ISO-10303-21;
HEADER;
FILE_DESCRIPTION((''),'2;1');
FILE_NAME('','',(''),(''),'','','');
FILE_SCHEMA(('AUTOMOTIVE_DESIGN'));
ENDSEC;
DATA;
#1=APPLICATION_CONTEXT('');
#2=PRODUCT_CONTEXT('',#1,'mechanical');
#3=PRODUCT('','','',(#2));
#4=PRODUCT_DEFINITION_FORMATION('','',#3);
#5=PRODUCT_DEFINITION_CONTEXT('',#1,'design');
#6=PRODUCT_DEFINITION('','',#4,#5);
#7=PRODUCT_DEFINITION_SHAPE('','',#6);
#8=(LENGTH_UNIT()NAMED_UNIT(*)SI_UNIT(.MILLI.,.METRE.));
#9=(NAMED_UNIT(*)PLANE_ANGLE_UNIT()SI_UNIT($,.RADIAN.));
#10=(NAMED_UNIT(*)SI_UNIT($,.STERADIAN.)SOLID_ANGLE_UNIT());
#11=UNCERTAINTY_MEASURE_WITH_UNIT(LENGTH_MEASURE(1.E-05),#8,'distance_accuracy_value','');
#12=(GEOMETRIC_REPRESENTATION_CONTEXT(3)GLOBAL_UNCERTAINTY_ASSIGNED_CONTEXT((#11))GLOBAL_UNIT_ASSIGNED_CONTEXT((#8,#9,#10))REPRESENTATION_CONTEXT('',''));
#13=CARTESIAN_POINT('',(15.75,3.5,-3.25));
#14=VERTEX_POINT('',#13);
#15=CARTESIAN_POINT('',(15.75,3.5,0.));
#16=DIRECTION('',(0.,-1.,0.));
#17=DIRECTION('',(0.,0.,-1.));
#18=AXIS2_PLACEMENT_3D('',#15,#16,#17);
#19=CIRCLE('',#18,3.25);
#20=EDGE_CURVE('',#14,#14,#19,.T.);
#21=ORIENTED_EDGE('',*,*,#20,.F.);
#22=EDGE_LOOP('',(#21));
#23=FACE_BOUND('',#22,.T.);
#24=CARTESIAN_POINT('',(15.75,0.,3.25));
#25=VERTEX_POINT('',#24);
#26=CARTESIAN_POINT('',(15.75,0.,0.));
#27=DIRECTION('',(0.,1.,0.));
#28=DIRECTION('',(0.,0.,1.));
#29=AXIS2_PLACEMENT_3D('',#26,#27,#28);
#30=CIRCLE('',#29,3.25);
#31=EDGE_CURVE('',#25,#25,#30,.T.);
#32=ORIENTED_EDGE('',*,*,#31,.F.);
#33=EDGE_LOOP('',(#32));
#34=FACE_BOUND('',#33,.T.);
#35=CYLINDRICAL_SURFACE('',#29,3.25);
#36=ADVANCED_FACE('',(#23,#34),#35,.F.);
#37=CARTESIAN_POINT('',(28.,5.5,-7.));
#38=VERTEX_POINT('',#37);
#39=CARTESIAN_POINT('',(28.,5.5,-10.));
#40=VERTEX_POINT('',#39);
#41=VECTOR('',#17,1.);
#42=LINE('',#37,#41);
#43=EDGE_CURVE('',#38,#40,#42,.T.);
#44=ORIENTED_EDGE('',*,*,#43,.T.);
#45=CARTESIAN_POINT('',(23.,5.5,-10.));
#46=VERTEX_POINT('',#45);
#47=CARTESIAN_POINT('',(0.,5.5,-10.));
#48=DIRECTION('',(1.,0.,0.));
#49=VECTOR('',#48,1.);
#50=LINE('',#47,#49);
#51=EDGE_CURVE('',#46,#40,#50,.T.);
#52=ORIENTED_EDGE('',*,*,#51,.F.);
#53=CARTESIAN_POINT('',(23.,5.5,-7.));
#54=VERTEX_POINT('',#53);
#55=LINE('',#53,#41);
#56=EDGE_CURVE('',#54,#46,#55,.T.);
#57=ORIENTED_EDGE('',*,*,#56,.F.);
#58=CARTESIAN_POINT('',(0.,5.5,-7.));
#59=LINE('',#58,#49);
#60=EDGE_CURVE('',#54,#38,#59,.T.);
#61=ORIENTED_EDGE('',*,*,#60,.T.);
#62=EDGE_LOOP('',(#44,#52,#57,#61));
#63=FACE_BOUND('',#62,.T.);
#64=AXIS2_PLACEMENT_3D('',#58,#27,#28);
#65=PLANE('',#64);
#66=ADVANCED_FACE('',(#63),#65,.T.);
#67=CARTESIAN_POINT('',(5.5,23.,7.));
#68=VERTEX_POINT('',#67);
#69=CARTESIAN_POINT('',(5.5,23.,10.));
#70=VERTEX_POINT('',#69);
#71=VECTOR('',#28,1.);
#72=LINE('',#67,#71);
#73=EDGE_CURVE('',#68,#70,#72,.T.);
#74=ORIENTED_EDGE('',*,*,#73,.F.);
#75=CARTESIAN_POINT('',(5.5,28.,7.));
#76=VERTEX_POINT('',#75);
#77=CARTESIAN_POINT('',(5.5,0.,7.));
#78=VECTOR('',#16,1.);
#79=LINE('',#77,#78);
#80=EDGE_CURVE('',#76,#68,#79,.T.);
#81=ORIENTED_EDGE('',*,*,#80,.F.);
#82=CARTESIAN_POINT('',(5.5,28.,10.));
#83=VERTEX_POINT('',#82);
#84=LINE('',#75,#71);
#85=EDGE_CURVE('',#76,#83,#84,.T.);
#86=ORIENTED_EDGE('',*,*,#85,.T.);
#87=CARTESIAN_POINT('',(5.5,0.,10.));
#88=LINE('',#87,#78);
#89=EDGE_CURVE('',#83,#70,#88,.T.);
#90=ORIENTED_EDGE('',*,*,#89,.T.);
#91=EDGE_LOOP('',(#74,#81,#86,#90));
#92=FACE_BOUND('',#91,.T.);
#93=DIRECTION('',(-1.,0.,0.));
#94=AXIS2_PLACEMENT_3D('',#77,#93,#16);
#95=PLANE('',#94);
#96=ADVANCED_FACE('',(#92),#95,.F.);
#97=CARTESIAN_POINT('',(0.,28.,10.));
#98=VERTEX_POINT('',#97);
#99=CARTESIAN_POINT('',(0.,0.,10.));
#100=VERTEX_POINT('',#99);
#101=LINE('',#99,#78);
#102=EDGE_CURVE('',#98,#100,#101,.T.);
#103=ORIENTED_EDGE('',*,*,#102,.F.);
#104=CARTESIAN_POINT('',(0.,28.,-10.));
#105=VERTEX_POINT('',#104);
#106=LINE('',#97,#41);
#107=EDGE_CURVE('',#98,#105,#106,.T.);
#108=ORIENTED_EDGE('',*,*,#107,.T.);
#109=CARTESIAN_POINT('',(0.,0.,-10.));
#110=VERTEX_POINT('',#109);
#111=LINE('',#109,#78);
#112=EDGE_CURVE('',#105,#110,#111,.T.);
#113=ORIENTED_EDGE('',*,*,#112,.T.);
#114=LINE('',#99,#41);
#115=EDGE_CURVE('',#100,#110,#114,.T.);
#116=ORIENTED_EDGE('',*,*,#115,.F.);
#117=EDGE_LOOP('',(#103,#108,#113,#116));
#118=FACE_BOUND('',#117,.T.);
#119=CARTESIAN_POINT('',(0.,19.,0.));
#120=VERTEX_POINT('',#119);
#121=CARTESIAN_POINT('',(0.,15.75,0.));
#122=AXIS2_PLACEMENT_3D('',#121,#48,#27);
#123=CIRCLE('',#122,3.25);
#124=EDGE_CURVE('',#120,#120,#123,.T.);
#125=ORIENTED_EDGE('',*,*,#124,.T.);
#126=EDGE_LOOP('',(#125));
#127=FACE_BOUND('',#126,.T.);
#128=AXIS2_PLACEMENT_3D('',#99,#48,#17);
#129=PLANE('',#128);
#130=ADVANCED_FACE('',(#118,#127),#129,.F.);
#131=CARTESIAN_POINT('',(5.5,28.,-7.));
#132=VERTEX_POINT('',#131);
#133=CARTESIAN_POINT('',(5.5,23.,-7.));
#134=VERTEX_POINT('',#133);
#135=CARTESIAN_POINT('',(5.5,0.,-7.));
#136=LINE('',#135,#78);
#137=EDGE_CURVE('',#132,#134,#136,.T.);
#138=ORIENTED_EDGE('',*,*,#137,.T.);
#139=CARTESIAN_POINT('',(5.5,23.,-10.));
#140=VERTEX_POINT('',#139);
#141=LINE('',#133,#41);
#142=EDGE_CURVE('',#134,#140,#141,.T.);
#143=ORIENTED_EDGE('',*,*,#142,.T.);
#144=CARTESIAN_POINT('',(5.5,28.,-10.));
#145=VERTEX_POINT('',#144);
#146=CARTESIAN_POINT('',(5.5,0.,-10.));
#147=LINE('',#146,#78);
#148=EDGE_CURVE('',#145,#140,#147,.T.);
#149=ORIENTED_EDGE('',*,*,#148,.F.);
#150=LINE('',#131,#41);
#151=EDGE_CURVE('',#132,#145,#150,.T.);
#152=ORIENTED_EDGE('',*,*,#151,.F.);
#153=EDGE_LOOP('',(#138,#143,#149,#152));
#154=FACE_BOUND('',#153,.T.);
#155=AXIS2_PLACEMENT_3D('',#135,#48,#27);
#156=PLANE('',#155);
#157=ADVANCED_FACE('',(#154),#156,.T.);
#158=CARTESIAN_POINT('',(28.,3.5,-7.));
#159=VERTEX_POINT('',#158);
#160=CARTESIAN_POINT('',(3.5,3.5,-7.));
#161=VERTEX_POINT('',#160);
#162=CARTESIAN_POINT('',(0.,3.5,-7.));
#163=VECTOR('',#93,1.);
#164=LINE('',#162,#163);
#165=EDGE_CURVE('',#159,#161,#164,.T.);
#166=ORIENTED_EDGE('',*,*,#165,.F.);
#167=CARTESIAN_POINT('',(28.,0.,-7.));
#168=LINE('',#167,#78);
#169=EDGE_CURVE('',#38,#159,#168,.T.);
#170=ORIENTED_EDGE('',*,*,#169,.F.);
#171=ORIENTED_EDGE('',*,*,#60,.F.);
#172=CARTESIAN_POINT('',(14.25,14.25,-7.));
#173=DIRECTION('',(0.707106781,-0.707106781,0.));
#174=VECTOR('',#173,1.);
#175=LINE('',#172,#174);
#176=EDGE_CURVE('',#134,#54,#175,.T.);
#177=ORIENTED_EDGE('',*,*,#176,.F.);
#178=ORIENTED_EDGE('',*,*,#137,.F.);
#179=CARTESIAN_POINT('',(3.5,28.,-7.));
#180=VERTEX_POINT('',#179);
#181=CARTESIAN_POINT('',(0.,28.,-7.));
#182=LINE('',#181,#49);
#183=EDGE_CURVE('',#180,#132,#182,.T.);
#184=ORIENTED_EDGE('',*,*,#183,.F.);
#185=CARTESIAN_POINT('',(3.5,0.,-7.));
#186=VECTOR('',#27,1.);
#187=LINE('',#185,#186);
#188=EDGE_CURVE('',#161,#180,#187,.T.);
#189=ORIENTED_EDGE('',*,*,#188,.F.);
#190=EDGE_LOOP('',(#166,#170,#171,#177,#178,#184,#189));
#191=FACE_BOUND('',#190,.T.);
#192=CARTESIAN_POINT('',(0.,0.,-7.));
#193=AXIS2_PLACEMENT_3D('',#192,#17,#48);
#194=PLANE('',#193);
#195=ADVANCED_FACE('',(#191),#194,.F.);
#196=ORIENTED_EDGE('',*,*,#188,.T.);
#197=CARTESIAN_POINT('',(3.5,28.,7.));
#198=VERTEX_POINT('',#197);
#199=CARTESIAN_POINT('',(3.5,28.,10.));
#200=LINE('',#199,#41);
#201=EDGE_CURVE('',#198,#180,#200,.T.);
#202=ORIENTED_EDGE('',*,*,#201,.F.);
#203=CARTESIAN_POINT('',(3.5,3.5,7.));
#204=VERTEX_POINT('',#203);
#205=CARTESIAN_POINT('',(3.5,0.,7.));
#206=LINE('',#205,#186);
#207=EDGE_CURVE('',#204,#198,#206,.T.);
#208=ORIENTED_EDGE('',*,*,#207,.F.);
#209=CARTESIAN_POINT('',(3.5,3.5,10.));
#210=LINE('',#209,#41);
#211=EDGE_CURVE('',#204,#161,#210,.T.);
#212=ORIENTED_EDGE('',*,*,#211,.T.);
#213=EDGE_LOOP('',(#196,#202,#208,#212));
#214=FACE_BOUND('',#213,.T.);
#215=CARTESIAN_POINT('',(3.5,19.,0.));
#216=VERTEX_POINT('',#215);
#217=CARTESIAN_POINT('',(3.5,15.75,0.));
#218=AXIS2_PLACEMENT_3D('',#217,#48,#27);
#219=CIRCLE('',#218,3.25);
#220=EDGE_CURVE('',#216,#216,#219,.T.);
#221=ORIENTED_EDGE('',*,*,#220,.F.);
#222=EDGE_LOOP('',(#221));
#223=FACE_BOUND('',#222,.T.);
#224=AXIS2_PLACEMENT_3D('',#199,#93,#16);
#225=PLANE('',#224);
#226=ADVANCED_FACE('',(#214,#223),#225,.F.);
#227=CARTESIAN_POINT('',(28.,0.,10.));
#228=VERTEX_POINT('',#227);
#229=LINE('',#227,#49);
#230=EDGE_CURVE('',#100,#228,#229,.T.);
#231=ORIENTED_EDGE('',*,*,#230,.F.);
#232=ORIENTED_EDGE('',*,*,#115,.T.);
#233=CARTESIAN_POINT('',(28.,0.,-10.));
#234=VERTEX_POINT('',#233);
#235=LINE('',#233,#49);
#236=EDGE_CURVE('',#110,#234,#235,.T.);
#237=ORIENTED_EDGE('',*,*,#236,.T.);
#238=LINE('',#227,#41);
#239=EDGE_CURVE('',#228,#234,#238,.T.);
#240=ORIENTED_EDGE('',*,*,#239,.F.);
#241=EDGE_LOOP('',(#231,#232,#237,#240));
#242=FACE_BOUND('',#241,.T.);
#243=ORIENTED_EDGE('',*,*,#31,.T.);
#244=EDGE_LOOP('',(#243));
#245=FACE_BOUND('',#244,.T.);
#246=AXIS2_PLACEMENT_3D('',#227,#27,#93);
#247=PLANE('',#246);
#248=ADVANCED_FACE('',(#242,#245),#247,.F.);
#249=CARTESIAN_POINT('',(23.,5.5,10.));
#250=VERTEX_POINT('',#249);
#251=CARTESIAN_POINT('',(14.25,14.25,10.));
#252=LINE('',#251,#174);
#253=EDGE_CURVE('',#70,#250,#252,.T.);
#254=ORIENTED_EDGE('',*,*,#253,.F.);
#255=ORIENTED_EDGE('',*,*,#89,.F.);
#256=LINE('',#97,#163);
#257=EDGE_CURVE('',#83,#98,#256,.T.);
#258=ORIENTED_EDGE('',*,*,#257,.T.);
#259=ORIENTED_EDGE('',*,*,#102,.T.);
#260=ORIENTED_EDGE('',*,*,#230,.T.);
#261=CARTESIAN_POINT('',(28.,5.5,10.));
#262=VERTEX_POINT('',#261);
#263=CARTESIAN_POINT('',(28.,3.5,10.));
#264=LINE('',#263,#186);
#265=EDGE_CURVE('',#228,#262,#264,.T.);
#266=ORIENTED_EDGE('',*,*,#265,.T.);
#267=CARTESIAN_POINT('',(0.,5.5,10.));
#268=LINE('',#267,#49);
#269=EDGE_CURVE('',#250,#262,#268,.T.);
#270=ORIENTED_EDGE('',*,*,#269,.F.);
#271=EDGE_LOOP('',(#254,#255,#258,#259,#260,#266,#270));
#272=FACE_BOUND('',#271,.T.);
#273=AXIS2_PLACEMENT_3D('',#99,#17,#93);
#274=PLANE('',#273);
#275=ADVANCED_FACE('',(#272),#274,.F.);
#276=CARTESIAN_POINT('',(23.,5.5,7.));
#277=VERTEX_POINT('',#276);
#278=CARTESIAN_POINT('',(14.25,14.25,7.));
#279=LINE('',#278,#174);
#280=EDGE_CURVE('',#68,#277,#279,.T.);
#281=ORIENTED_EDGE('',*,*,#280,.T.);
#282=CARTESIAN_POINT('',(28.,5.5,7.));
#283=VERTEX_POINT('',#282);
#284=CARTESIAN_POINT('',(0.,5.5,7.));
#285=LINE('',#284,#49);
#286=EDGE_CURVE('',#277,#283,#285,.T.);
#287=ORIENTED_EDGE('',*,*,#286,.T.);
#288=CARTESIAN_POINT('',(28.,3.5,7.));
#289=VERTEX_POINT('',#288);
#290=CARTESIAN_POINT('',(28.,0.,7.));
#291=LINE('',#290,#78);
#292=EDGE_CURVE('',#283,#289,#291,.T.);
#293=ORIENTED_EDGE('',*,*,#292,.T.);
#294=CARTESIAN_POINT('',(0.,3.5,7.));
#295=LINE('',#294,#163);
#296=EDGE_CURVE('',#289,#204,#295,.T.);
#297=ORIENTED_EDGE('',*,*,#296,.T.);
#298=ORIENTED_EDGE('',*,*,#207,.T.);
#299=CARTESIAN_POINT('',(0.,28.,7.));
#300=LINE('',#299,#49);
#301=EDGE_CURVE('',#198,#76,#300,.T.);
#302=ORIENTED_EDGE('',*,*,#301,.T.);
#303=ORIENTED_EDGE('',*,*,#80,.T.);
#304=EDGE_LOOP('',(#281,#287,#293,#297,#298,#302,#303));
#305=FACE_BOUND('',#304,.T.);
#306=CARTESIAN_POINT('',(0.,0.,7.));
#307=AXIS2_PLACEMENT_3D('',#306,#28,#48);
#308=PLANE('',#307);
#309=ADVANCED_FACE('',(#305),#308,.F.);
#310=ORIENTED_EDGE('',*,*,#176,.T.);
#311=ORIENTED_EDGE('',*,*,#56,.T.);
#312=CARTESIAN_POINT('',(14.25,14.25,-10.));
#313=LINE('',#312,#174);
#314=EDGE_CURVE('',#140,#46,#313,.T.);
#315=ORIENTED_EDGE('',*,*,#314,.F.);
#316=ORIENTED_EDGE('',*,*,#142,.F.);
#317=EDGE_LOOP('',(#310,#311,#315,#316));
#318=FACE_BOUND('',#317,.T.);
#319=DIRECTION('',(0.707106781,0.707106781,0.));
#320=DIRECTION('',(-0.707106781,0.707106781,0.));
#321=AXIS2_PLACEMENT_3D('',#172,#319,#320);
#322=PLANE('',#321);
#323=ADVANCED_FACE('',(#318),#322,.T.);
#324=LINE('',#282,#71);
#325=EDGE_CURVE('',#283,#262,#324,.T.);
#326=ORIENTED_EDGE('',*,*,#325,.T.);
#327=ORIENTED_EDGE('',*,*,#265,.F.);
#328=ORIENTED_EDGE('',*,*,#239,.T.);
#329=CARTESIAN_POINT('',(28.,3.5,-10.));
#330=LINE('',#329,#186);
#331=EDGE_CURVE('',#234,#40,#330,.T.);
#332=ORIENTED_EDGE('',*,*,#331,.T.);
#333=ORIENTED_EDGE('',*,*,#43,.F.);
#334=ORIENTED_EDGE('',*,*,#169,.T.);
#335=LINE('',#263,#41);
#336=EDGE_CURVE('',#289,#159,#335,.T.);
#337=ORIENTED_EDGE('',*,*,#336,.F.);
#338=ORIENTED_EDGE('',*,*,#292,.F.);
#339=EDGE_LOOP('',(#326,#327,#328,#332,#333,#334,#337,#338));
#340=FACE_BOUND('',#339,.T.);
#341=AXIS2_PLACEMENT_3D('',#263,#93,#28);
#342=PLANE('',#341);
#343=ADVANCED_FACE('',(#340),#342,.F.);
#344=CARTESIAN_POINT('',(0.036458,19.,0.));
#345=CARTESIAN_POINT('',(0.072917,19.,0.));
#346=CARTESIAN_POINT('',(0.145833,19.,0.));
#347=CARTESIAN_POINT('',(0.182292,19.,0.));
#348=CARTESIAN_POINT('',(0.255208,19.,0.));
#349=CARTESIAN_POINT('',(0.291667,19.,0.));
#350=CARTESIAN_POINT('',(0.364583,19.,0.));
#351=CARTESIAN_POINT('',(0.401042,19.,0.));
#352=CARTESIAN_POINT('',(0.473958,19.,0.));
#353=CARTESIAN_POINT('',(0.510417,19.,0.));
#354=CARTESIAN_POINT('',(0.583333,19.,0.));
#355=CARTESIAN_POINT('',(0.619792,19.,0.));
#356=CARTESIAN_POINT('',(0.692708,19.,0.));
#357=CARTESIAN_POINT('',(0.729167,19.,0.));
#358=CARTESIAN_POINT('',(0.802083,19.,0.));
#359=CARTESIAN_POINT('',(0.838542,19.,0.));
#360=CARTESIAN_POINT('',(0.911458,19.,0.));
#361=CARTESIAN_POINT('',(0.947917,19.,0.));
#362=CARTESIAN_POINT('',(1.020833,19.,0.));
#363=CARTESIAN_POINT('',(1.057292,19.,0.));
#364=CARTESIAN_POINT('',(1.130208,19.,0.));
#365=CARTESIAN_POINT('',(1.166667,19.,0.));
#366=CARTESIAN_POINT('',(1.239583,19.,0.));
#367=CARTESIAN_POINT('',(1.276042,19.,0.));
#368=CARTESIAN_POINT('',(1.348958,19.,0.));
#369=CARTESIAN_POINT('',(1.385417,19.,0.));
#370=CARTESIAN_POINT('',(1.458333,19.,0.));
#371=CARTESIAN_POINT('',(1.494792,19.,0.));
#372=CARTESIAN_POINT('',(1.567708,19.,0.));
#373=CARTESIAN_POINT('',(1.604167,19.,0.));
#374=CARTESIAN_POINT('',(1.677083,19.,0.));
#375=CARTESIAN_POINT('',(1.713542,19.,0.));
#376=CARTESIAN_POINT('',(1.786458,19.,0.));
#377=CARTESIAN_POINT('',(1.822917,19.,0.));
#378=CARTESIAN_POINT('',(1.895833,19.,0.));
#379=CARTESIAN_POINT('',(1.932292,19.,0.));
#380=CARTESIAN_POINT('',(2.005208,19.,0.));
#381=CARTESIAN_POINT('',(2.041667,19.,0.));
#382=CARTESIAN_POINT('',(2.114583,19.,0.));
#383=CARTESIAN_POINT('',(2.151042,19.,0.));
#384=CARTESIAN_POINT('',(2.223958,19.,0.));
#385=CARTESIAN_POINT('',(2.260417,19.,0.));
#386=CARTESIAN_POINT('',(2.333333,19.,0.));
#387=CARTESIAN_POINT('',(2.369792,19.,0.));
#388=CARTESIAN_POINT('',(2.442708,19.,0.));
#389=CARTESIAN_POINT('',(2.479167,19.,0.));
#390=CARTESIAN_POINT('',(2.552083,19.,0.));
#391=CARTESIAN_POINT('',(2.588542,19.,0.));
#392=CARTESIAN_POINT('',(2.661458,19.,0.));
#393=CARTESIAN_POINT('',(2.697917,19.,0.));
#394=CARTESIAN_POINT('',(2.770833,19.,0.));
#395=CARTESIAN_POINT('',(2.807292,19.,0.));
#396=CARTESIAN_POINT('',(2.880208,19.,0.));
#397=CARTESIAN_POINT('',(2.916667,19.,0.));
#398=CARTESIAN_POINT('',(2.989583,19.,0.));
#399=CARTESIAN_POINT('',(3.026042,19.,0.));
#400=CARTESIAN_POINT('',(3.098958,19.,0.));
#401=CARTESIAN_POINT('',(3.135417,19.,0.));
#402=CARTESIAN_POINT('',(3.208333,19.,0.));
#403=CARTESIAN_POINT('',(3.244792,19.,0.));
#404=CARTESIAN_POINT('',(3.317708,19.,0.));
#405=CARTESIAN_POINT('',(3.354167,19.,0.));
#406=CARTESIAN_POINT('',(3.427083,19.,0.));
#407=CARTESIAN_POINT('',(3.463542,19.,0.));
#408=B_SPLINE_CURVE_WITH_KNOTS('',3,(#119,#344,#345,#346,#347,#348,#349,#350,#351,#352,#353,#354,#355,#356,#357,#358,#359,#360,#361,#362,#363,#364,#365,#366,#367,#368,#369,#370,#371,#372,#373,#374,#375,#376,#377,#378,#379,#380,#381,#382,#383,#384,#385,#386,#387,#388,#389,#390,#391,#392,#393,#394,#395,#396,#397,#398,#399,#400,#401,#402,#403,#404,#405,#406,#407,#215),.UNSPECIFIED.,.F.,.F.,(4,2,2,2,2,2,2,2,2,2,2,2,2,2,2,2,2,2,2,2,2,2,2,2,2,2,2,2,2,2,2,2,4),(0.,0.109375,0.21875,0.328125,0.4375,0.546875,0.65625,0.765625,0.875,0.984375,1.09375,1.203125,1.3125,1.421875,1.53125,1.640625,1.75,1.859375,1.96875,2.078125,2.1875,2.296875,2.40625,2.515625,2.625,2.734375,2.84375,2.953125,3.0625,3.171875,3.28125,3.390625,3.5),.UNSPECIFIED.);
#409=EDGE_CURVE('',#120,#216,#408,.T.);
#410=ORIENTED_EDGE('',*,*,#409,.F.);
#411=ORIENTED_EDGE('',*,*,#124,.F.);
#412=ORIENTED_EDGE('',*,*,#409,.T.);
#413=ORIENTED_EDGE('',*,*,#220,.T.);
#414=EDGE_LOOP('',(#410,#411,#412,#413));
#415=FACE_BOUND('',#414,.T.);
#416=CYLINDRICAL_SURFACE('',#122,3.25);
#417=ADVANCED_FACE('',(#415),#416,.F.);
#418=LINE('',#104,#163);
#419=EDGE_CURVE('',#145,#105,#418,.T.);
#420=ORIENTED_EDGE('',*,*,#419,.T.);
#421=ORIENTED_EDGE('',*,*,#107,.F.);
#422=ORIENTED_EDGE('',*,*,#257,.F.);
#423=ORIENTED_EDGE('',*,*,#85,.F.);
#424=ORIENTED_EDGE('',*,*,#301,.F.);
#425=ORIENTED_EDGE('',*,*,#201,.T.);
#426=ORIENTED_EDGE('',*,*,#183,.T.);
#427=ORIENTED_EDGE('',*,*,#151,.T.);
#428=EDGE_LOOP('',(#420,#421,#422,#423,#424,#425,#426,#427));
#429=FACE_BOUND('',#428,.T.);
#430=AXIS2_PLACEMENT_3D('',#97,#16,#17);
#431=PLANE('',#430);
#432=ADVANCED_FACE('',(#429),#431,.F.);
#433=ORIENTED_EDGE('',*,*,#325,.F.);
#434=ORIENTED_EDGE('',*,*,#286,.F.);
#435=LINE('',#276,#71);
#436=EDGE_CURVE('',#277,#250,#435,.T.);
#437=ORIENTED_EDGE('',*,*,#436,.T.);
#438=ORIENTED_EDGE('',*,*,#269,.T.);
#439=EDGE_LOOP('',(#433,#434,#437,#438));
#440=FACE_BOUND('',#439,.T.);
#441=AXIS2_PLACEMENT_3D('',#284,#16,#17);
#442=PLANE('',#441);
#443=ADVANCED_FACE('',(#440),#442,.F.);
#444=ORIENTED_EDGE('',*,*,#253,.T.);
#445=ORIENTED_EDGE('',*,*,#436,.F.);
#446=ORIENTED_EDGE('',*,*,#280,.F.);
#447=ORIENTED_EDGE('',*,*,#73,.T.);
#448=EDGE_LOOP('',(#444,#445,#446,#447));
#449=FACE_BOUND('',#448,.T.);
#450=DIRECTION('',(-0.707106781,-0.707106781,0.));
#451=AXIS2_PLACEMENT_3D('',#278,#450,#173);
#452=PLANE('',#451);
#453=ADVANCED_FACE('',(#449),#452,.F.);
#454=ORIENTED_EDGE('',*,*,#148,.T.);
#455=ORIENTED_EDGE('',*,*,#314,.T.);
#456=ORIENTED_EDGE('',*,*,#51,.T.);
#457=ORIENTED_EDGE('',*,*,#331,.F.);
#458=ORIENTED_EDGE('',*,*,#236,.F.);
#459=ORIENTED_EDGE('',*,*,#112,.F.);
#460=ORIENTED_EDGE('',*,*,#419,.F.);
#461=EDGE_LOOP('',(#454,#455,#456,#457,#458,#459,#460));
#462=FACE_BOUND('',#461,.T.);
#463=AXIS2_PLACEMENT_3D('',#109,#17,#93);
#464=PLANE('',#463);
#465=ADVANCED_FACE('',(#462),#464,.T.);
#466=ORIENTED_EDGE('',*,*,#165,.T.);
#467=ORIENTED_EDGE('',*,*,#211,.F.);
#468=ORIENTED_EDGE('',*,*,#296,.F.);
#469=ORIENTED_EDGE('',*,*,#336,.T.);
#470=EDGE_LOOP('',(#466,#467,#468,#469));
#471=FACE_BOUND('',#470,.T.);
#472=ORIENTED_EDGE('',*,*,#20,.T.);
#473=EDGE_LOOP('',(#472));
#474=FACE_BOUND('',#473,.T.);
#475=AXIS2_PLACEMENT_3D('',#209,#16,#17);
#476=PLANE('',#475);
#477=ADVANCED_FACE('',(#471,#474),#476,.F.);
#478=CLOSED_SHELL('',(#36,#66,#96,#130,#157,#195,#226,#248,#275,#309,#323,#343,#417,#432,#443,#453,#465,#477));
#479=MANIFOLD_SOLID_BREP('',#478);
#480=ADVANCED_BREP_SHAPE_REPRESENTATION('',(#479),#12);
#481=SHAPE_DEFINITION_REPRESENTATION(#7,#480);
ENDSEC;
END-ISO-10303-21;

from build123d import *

# Parameters (mm, degrees)
BOSS_EXTRUDE1_DEPTH     = 10
BOSS_EXTRUDE2_DEPTH     = 3
CUT_EXTRUDE1_DEPTH      = 39.52596527
CUT_EXTRUDE1_DEPTH_BACK = 39.52596527
CUT_EXTRUDE2_DEPTH      = 39.52596527


with BuildPart() as part:
    # Sketch1 → Boss-Extrude1 (new, symmetric)
    with BuildSketch(Plane.XY):
        Polygon((0, 0), (0, 28), (3.5, 28), (3.5, 3.5), (28, 3.5), (28, 0), align=None)
    extrude(amount=BOSS_EXTRUDE1_DEPTH, both=True)

    # Sketch2 → Boss-Extrude2 (add)
    with BuildSketch(Plane.XY.offset(10)):
        Polygon((28, 5.5), (28, 3.5), (3.5, 3.5), (3.5, 28), (5.5, 28), (5.5, 23), (23, 5.5), align=None)
    boss_extrude2 = extrude(amount=-BOSS_EXTRUDE2_DEPTH)

    # Mirror1: Boss-Extrude2 across plane
    add(boss_extrude2.mirror(Plane.XY))

    # Sketch3 → Cut-Extrude1 (cut, two sides: drawn at the far end of the back side and taken through both)
    with BuildSketch(Plane(origin=(0, 3.5, 0), x_dir=(1, 0, 0), z_dir=(0, 1, 0)).offset(-CUT_EXTRUDE1_DEPTH_BACK)):
        with BuildLine():
            ThreePointArc((19, 0), (16.584170789, 3.141123858), (12.928209788, 1.61245155))
            Line((12.928209788, 1.61245155), (18.571790212, -1.61245155))
            ThreePointArc((18.571790212, -1.61245155), (18.891123858, -0.834170789), (19, 0))
        make_face()
        with BuildLine():
            Line((18.571790212, -1.61245155), (12.928209788, 1.61245155))
            ThreePointArc((12.928209788, 1.61245155), (14.13754845, -2.821790212), (18.571790212, -1.61245155))
        make_face()
    extrude(amount=CUT_EXTRUDE1_DEPTH + CUT_EXTRUDE1_DEPTH_BACK, mode=Mode.SUBTRACT)

    # Sketch4 → Cut-Extrude2 (cut, through all)
    with BuildSketch(Plane(origin=(3.5, 0, 0), x_dir=(0, 0, -1), z_dir=(1, 0, 0))):
        with BuildLine():
            ThreePointArc((3.25, 15.75), (2.810957803, 17.381262159), (1.61245155, 18.571790212))
            Line((1.61245155, 18.571790212), (-1.61245155, 12.928209788))
            ThreePointArc((-1.61245155, 12.928209788), (1.631262159, 12.939042197), (3.25, 15.75))
        make_face()
        with BuildLine():
            Line((-1.61245155, 12.928209788), (1.61245155, 18.571790212))
            ThreePointArc((1.61245155, 18.571790212), (-2.821790212, 17.36245155), (-1.61245155, 12.928209788))
        make_face()
    extrude(amount=-CUT_EXTRUDE2_DEPTH, mode=Mode.SUBTRACT)


solid = part.part
